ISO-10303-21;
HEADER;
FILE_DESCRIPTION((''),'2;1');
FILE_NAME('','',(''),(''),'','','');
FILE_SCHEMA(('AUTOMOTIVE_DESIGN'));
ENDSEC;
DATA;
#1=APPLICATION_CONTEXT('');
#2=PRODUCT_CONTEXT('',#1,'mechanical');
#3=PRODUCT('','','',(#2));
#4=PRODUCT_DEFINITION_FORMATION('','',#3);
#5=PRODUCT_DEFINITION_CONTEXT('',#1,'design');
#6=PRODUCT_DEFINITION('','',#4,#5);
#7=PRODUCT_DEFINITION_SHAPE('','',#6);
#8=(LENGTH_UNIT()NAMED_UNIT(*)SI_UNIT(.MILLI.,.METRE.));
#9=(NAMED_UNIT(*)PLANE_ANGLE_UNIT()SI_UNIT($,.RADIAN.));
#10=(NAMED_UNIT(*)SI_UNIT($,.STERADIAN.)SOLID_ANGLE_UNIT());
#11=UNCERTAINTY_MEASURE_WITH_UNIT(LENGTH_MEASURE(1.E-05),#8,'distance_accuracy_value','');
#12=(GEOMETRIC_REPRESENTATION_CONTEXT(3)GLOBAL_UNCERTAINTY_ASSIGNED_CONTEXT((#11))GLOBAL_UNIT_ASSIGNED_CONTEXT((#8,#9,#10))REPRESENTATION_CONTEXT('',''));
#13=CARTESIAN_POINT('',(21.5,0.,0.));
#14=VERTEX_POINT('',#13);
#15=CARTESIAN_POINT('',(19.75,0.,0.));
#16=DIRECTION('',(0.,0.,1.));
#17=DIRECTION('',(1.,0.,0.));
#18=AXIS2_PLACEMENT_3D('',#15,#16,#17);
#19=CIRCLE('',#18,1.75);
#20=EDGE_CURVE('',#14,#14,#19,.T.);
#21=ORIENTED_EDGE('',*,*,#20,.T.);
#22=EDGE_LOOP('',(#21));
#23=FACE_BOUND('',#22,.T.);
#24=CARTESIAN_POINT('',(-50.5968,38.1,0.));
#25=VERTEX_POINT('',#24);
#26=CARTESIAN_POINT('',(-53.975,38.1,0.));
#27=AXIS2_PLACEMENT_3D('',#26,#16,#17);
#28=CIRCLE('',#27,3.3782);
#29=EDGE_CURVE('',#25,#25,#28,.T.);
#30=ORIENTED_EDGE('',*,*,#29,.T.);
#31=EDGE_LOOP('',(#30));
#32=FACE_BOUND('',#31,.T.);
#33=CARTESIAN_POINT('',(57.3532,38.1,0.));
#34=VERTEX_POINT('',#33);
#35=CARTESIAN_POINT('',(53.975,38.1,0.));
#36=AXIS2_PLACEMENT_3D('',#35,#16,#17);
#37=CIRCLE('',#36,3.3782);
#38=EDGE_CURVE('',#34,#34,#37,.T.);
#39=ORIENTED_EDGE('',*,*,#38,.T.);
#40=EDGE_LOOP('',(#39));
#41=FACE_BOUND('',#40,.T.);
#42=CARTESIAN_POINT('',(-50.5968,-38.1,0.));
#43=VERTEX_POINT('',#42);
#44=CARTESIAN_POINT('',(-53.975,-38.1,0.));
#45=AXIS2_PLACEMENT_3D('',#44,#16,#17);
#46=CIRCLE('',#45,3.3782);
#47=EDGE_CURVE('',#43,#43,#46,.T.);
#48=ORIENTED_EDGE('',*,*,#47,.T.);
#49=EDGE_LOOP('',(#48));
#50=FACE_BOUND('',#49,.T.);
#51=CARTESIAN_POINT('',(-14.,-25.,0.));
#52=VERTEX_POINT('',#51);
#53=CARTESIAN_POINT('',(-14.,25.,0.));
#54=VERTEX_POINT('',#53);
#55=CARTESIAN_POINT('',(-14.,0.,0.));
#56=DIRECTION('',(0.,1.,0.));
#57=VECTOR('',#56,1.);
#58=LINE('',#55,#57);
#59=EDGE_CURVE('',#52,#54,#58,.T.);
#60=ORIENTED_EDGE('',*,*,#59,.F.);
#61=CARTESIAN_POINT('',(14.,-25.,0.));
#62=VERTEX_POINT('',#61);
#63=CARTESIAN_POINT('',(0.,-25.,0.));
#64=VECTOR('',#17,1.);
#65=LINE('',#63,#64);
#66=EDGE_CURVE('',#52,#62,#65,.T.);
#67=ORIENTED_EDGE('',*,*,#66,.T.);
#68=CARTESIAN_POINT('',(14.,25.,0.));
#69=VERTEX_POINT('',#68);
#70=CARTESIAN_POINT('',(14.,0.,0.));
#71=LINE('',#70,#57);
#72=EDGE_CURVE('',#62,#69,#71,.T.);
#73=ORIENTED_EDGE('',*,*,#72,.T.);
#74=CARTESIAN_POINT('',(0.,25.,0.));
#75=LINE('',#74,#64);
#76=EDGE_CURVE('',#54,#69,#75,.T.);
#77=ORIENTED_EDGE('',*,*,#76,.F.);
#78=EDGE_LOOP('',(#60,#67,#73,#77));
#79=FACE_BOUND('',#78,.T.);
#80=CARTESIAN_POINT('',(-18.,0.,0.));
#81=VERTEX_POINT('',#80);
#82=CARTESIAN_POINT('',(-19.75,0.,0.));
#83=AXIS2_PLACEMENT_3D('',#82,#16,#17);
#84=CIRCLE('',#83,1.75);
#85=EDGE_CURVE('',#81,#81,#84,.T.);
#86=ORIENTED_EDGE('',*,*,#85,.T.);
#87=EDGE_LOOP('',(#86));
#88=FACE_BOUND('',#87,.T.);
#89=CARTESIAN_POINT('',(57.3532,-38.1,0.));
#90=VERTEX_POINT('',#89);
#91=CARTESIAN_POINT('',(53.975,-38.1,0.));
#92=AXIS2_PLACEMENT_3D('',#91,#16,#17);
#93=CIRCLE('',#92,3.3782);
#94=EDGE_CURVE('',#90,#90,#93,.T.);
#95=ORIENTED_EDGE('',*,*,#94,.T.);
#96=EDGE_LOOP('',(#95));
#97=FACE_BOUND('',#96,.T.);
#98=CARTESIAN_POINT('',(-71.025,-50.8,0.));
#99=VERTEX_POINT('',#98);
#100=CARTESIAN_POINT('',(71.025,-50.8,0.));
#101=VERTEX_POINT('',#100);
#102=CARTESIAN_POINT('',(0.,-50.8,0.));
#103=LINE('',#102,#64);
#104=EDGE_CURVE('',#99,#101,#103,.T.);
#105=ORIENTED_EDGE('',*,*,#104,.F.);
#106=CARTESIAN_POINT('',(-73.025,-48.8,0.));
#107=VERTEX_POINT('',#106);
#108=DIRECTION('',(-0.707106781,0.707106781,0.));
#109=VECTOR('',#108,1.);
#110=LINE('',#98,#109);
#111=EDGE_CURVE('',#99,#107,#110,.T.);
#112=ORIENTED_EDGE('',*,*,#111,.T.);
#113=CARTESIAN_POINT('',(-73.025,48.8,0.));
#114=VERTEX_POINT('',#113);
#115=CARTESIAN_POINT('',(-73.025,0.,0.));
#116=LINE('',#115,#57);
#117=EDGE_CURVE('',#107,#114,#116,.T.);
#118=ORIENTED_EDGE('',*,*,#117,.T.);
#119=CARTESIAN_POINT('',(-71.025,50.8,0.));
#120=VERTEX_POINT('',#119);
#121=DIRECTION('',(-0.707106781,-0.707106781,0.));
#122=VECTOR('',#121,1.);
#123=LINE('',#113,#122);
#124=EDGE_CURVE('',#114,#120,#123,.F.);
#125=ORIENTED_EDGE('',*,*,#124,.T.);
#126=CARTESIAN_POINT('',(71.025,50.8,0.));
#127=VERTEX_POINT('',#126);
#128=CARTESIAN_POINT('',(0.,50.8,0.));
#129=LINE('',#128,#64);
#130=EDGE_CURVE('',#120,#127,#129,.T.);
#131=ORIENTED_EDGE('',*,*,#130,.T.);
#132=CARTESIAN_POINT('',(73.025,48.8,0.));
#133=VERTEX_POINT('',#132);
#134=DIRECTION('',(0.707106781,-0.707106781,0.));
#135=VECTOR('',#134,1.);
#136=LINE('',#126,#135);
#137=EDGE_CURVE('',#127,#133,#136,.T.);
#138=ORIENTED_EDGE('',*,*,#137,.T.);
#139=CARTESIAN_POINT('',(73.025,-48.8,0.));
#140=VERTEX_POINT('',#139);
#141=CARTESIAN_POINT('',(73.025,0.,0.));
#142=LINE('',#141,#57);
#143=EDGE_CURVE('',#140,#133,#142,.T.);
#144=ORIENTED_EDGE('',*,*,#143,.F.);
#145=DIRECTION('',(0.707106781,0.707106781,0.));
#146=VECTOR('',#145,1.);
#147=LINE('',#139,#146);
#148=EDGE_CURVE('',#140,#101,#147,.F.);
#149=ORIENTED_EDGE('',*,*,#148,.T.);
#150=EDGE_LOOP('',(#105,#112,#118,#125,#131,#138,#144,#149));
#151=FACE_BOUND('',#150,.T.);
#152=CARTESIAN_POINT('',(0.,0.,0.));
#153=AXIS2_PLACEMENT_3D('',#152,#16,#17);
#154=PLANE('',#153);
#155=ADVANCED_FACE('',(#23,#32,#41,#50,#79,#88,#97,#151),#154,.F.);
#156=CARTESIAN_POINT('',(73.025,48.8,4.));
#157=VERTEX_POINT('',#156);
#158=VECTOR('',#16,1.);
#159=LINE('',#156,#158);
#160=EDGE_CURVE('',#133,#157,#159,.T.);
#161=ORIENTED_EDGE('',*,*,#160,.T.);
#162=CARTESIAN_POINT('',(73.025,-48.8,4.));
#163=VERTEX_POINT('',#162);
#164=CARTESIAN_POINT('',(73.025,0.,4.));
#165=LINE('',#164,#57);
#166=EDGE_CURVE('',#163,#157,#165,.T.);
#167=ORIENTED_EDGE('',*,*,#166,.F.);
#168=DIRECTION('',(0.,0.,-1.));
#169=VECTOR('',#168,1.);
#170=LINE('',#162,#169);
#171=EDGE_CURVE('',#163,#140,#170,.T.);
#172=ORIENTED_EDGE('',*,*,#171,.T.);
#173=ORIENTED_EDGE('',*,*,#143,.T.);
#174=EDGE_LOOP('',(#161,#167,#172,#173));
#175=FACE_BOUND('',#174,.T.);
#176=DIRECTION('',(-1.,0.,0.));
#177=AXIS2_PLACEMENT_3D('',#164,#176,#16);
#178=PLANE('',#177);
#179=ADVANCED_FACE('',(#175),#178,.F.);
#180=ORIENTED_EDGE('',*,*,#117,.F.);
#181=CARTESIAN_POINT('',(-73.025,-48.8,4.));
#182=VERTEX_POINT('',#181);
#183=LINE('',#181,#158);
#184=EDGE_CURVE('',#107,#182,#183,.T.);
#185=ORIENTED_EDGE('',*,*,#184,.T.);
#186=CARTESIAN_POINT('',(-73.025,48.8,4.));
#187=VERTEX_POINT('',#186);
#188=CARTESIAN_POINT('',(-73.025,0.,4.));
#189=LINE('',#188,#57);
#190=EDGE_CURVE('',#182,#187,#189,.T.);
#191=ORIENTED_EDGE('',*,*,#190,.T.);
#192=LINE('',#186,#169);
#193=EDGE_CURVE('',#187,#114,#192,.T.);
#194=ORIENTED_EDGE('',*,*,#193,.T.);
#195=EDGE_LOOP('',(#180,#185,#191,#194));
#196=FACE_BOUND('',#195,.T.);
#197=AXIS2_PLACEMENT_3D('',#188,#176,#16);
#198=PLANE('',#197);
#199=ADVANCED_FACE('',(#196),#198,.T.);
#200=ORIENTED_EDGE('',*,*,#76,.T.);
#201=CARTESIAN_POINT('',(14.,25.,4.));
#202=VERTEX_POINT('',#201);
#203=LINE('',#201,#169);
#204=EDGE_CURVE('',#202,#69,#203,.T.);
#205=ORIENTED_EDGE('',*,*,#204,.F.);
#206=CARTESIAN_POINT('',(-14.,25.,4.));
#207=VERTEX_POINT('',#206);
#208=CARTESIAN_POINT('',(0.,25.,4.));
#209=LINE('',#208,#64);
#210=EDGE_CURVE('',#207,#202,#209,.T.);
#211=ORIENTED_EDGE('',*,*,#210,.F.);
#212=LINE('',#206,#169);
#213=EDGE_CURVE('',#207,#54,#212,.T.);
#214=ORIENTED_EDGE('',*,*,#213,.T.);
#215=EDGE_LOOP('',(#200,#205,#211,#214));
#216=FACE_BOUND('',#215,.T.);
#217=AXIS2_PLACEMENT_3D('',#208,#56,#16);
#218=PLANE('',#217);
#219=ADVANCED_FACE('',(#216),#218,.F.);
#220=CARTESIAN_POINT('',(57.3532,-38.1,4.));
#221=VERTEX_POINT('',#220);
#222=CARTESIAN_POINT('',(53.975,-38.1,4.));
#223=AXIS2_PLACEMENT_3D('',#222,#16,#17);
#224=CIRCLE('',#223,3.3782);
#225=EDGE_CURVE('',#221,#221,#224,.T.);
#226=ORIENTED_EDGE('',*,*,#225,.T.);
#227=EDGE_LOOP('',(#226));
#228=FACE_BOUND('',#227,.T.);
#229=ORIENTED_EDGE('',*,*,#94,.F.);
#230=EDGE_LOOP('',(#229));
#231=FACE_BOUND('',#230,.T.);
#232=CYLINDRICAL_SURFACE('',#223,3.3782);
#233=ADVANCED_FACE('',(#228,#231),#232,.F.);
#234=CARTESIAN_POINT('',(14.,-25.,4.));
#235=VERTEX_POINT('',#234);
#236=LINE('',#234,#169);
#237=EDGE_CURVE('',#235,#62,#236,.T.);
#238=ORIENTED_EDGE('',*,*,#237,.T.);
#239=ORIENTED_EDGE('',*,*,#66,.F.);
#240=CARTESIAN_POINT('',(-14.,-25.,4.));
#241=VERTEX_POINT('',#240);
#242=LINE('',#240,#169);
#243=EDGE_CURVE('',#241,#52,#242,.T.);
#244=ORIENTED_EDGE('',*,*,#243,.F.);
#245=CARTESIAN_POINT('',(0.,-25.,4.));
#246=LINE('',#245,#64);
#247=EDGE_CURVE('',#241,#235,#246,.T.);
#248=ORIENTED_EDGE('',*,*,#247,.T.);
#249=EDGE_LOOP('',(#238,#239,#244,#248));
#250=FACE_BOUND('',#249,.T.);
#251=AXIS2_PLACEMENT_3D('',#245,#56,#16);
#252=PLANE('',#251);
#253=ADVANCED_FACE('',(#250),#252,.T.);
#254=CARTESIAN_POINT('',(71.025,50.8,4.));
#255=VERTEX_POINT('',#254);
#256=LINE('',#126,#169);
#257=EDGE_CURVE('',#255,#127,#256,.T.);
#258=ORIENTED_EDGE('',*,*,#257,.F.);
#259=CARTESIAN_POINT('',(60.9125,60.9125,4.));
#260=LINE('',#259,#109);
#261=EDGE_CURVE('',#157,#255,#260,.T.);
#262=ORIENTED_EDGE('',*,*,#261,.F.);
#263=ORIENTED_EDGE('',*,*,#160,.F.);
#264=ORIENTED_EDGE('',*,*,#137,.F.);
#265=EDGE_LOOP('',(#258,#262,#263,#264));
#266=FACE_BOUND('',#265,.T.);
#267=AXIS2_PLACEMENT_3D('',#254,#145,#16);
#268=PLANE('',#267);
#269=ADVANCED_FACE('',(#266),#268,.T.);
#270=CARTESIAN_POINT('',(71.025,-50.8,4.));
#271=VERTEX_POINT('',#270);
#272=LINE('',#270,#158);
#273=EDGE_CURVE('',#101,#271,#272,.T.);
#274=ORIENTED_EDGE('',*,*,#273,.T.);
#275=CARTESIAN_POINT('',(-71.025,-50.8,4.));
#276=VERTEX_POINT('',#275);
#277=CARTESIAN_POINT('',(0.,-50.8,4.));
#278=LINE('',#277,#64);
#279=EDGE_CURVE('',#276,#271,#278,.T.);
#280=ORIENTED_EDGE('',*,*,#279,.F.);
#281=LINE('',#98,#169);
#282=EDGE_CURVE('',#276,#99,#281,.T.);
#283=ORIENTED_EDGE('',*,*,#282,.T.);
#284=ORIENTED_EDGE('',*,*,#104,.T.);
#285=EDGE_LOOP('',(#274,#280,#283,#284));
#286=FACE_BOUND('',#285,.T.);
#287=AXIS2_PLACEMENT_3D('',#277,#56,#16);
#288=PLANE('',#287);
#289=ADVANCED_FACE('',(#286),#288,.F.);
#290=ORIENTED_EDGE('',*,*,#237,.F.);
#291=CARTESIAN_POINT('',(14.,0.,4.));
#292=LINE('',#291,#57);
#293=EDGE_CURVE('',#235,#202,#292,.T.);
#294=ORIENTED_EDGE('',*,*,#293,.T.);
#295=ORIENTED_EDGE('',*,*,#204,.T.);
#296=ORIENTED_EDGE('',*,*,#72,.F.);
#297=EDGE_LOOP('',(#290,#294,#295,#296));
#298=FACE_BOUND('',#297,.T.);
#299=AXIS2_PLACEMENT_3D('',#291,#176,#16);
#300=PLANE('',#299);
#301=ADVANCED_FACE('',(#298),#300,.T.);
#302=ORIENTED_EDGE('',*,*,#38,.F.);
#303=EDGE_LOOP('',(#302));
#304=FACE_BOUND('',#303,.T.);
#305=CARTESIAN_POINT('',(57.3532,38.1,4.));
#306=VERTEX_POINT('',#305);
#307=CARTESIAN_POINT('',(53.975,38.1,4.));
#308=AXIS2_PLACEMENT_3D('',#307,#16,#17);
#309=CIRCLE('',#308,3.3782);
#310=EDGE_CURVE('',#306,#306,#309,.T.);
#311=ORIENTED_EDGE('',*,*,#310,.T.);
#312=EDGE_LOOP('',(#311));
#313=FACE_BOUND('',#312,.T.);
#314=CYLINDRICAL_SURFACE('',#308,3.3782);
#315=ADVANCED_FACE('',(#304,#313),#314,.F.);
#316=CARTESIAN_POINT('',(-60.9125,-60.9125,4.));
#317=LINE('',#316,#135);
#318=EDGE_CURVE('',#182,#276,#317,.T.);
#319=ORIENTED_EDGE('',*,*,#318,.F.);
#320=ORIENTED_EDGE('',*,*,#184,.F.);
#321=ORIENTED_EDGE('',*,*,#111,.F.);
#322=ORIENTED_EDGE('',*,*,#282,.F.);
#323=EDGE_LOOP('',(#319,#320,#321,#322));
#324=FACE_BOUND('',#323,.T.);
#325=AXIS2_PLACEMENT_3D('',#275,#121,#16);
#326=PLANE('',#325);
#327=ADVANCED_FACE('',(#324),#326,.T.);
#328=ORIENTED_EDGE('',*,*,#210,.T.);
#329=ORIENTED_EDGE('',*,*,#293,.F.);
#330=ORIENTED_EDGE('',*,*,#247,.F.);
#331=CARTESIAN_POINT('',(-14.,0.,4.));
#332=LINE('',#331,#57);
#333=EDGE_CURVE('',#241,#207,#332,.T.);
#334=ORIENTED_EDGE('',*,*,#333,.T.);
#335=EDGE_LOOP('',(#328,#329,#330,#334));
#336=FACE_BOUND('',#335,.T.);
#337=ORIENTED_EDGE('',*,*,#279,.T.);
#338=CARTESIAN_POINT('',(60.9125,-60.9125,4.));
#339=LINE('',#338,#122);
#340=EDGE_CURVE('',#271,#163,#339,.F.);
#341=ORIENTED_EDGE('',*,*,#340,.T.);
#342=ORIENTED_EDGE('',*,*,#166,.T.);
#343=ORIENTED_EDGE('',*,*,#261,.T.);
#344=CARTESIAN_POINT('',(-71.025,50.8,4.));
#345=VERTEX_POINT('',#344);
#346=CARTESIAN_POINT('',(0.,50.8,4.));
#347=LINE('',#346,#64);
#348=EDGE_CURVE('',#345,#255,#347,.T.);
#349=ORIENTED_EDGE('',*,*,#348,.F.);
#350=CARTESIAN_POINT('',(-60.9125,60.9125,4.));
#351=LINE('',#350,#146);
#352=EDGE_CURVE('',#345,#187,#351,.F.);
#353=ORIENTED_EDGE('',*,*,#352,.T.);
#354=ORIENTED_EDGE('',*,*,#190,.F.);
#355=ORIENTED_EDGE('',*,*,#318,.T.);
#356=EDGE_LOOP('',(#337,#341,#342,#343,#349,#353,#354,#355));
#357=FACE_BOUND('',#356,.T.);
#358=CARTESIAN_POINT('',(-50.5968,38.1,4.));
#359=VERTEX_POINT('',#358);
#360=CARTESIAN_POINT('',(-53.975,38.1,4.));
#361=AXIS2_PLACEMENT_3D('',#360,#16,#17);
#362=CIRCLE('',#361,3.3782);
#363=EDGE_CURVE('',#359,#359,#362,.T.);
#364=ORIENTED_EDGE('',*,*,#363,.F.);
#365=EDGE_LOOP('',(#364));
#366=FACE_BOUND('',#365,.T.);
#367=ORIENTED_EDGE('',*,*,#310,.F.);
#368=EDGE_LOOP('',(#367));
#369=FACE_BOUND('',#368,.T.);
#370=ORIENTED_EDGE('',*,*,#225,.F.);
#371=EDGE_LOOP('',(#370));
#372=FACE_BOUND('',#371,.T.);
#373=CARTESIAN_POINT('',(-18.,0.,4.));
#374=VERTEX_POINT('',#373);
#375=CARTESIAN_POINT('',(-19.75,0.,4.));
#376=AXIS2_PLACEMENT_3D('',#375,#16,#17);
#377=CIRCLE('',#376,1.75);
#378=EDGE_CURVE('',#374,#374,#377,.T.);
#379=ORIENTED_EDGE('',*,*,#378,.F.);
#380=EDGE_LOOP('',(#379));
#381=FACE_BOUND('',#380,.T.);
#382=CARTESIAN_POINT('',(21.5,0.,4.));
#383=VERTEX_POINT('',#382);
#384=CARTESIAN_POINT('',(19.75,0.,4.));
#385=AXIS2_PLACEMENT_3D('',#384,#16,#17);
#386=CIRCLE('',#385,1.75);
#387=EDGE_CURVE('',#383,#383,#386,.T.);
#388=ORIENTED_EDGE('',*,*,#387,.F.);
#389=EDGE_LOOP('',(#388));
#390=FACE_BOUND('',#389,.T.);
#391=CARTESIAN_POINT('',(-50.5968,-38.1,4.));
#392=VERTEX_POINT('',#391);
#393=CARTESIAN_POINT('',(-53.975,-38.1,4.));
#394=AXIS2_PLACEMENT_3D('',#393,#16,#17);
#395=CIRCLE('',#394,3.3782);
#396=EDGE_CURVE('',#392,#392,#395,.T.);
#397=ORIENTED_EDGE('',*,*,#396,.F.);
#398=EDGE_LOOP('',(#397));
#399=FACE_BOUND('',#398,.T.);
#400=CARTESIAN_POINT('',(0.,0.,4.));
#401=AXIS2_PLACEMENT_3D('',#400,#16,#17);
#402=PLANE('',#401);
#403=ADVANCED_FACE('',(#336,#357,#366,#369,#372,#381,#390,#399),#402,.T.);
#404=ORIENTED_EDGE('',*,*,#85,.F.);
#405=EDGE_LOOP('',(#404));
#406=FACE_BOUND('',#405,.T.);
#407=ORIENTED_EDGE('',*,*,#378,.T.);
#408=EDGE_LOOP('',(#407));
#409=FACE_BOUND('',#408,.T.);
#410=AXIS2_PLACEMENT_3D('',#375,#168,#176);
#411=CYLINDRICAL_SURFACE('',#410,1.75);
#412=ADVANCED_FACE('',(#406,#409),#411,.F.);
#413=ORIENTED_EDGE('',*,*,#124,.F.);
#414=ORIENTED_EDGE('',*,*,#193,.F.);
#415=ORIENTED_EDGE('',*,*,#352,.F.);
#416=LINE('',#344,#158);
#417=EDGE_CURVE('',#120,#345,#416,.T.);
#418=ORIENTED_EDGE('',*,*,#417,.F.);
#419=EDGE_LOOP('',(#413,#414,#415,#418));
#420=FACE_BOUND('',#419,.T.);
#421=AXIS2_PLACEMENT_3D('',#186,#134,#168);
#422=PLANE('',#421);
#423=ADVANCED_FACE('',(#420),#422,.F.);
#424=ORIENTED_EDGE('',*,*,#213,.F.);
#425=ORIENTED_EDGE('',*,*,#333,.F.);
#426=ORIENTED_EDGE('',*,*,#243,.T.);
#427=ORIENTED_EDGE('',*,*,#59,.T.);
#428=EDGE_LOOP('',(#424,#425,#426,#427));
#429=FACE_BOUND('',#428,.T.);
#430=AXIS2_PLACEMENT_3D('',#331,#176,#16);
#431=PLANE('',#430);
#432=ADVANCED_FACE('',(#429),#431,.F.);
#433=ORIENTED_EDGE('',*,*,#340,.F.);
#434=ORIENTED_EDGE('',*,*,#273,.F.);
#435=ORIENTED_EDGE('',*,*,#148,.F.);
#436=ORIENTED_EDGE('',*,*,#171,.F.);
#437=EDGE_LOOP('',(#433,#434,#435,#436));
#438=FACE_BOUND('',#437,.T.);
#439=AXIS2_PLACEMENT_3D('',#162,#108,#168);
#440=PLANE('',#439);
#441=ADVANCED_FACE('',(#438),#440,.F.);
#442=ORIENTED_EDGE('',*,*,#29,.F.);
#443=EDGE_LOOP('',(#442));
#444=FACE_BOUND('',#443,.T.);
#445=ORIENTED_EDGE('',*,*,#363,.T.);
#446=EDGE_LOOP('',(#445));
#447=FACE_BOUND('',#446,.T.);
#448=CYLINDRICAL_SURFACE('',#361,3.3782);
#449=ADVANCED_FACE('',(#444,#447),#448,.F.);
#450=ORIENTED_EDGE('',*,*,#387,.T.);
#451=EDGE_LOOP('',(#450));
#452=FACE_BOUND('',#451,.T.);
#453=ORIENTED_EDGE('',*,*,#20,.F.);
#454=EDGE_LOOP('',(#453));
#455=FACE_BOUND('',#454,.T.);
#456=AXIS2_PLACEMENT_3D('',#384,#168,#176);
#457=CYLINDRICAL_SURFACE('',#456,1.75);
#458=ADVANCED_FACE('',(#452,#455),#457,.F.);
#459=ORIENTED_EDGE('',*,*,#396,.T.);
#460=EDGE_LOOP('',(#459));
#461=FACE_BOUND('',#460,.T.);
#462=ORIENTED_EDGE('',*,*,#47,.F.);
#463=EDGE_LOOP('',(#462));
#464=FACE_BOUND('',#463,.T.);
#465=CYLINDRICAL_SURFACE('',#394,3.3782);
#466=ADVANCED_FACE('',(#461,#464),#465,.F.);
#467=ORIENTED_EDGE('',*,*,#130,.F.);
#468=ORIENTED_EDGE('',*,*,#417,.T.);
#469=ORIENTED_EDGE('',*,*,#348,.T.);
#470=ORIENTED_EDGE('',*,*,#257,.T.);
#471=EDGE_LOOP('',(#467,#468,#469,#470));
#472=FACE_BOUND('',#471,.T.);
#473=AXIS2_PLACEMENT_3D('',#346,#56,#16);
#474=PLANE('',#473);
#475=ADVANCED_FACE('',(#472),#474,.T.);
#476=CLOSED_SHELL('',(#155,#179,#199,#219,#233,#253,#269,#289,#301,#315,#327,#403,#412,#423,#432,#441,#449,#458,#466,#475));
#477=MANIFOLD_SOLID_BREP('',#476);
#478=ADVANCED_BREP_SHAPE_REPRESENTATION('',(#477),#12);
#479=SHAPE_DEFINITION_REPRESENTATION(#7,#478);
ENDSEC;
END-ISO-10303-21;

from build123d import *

# Parameters (mm, degrees)
SKETCH1_W                   = 146.05
SKETCH1_H                   = 101.6
SKETCH1_R                   = 1.75
SKETCH1_W_2                 = 28
SKETCH1_H_2                 = 50
BOSS_EXTRUDE1_DEPTH         = 4
F_1_4_CLEARANCE_HOLE1_D     = 6.7564
F_1_4_CLEARANCE_HOLE1_DEPTH = 12
F_1_4_CLEARANCE_HOLE1_TIP   = 2.029827343
CHAMFER1_SIZE               = 2


with BuildPart() as part:
    # Sketch1 → Boss-Extrude1 (new body)
    with BuildSketch(Plane.XY):
        Rectangle(SKETCH1_W, SKETCH1_H)
        with Locations((-19.75, 0)):
            Circle(SKETCH1_R, mode=Mode.SUBTRACT)
        with Locations((19.75, 0)):
            Circle(SKETCH1_R, mode=Mode.SUBTRACT)
        Rectangle(SKETCH1_W_2, SKETCH1_H_2, mode=Mode.SUBTRACT)
    extrude(amount=BOSS_EXTRUDE1_DEPTH)

    # 1/4 Clearance Hole1
    with Locations(Plane.XY.offset(4)):
        with Locations((-53.975, 38.1), (53.975, 38.1), (53.975, -38.1), (-53.975, -38.1)):
            Hole(F_1_4_CLEARANCE_HOLE1_D / 2, depth=F_1_4_CLEARANCE_HOLE1_DEPTH)
            with Locations((0, 0, -(F_1_4_CLEARANCE_HOLE1_DEPTH + F_1_4_CLEARANCE_HOLE1_TIP / 2))):  # 118° drill point
                Cone(0, F_1_4_CLEARANCE_HOLE1_D / 2, F_1_4_CLEARANCE_HOLE1_TIP, mode=Mode.SUBTRACT)

    # Chamfer1
    chamfer1_edges = [part.edges().sort_by_distance(p)[0] for p in [
        (-73.025, -50.8, 2),
        (-73.025, 50.8, 2),
        (73.025, 50.8, 2),
        (73.025, -50.8, 2),
    ]]
    chamfer(chamfer1_edges, length=CHAMFER1_SIZE)


solid = part.part
